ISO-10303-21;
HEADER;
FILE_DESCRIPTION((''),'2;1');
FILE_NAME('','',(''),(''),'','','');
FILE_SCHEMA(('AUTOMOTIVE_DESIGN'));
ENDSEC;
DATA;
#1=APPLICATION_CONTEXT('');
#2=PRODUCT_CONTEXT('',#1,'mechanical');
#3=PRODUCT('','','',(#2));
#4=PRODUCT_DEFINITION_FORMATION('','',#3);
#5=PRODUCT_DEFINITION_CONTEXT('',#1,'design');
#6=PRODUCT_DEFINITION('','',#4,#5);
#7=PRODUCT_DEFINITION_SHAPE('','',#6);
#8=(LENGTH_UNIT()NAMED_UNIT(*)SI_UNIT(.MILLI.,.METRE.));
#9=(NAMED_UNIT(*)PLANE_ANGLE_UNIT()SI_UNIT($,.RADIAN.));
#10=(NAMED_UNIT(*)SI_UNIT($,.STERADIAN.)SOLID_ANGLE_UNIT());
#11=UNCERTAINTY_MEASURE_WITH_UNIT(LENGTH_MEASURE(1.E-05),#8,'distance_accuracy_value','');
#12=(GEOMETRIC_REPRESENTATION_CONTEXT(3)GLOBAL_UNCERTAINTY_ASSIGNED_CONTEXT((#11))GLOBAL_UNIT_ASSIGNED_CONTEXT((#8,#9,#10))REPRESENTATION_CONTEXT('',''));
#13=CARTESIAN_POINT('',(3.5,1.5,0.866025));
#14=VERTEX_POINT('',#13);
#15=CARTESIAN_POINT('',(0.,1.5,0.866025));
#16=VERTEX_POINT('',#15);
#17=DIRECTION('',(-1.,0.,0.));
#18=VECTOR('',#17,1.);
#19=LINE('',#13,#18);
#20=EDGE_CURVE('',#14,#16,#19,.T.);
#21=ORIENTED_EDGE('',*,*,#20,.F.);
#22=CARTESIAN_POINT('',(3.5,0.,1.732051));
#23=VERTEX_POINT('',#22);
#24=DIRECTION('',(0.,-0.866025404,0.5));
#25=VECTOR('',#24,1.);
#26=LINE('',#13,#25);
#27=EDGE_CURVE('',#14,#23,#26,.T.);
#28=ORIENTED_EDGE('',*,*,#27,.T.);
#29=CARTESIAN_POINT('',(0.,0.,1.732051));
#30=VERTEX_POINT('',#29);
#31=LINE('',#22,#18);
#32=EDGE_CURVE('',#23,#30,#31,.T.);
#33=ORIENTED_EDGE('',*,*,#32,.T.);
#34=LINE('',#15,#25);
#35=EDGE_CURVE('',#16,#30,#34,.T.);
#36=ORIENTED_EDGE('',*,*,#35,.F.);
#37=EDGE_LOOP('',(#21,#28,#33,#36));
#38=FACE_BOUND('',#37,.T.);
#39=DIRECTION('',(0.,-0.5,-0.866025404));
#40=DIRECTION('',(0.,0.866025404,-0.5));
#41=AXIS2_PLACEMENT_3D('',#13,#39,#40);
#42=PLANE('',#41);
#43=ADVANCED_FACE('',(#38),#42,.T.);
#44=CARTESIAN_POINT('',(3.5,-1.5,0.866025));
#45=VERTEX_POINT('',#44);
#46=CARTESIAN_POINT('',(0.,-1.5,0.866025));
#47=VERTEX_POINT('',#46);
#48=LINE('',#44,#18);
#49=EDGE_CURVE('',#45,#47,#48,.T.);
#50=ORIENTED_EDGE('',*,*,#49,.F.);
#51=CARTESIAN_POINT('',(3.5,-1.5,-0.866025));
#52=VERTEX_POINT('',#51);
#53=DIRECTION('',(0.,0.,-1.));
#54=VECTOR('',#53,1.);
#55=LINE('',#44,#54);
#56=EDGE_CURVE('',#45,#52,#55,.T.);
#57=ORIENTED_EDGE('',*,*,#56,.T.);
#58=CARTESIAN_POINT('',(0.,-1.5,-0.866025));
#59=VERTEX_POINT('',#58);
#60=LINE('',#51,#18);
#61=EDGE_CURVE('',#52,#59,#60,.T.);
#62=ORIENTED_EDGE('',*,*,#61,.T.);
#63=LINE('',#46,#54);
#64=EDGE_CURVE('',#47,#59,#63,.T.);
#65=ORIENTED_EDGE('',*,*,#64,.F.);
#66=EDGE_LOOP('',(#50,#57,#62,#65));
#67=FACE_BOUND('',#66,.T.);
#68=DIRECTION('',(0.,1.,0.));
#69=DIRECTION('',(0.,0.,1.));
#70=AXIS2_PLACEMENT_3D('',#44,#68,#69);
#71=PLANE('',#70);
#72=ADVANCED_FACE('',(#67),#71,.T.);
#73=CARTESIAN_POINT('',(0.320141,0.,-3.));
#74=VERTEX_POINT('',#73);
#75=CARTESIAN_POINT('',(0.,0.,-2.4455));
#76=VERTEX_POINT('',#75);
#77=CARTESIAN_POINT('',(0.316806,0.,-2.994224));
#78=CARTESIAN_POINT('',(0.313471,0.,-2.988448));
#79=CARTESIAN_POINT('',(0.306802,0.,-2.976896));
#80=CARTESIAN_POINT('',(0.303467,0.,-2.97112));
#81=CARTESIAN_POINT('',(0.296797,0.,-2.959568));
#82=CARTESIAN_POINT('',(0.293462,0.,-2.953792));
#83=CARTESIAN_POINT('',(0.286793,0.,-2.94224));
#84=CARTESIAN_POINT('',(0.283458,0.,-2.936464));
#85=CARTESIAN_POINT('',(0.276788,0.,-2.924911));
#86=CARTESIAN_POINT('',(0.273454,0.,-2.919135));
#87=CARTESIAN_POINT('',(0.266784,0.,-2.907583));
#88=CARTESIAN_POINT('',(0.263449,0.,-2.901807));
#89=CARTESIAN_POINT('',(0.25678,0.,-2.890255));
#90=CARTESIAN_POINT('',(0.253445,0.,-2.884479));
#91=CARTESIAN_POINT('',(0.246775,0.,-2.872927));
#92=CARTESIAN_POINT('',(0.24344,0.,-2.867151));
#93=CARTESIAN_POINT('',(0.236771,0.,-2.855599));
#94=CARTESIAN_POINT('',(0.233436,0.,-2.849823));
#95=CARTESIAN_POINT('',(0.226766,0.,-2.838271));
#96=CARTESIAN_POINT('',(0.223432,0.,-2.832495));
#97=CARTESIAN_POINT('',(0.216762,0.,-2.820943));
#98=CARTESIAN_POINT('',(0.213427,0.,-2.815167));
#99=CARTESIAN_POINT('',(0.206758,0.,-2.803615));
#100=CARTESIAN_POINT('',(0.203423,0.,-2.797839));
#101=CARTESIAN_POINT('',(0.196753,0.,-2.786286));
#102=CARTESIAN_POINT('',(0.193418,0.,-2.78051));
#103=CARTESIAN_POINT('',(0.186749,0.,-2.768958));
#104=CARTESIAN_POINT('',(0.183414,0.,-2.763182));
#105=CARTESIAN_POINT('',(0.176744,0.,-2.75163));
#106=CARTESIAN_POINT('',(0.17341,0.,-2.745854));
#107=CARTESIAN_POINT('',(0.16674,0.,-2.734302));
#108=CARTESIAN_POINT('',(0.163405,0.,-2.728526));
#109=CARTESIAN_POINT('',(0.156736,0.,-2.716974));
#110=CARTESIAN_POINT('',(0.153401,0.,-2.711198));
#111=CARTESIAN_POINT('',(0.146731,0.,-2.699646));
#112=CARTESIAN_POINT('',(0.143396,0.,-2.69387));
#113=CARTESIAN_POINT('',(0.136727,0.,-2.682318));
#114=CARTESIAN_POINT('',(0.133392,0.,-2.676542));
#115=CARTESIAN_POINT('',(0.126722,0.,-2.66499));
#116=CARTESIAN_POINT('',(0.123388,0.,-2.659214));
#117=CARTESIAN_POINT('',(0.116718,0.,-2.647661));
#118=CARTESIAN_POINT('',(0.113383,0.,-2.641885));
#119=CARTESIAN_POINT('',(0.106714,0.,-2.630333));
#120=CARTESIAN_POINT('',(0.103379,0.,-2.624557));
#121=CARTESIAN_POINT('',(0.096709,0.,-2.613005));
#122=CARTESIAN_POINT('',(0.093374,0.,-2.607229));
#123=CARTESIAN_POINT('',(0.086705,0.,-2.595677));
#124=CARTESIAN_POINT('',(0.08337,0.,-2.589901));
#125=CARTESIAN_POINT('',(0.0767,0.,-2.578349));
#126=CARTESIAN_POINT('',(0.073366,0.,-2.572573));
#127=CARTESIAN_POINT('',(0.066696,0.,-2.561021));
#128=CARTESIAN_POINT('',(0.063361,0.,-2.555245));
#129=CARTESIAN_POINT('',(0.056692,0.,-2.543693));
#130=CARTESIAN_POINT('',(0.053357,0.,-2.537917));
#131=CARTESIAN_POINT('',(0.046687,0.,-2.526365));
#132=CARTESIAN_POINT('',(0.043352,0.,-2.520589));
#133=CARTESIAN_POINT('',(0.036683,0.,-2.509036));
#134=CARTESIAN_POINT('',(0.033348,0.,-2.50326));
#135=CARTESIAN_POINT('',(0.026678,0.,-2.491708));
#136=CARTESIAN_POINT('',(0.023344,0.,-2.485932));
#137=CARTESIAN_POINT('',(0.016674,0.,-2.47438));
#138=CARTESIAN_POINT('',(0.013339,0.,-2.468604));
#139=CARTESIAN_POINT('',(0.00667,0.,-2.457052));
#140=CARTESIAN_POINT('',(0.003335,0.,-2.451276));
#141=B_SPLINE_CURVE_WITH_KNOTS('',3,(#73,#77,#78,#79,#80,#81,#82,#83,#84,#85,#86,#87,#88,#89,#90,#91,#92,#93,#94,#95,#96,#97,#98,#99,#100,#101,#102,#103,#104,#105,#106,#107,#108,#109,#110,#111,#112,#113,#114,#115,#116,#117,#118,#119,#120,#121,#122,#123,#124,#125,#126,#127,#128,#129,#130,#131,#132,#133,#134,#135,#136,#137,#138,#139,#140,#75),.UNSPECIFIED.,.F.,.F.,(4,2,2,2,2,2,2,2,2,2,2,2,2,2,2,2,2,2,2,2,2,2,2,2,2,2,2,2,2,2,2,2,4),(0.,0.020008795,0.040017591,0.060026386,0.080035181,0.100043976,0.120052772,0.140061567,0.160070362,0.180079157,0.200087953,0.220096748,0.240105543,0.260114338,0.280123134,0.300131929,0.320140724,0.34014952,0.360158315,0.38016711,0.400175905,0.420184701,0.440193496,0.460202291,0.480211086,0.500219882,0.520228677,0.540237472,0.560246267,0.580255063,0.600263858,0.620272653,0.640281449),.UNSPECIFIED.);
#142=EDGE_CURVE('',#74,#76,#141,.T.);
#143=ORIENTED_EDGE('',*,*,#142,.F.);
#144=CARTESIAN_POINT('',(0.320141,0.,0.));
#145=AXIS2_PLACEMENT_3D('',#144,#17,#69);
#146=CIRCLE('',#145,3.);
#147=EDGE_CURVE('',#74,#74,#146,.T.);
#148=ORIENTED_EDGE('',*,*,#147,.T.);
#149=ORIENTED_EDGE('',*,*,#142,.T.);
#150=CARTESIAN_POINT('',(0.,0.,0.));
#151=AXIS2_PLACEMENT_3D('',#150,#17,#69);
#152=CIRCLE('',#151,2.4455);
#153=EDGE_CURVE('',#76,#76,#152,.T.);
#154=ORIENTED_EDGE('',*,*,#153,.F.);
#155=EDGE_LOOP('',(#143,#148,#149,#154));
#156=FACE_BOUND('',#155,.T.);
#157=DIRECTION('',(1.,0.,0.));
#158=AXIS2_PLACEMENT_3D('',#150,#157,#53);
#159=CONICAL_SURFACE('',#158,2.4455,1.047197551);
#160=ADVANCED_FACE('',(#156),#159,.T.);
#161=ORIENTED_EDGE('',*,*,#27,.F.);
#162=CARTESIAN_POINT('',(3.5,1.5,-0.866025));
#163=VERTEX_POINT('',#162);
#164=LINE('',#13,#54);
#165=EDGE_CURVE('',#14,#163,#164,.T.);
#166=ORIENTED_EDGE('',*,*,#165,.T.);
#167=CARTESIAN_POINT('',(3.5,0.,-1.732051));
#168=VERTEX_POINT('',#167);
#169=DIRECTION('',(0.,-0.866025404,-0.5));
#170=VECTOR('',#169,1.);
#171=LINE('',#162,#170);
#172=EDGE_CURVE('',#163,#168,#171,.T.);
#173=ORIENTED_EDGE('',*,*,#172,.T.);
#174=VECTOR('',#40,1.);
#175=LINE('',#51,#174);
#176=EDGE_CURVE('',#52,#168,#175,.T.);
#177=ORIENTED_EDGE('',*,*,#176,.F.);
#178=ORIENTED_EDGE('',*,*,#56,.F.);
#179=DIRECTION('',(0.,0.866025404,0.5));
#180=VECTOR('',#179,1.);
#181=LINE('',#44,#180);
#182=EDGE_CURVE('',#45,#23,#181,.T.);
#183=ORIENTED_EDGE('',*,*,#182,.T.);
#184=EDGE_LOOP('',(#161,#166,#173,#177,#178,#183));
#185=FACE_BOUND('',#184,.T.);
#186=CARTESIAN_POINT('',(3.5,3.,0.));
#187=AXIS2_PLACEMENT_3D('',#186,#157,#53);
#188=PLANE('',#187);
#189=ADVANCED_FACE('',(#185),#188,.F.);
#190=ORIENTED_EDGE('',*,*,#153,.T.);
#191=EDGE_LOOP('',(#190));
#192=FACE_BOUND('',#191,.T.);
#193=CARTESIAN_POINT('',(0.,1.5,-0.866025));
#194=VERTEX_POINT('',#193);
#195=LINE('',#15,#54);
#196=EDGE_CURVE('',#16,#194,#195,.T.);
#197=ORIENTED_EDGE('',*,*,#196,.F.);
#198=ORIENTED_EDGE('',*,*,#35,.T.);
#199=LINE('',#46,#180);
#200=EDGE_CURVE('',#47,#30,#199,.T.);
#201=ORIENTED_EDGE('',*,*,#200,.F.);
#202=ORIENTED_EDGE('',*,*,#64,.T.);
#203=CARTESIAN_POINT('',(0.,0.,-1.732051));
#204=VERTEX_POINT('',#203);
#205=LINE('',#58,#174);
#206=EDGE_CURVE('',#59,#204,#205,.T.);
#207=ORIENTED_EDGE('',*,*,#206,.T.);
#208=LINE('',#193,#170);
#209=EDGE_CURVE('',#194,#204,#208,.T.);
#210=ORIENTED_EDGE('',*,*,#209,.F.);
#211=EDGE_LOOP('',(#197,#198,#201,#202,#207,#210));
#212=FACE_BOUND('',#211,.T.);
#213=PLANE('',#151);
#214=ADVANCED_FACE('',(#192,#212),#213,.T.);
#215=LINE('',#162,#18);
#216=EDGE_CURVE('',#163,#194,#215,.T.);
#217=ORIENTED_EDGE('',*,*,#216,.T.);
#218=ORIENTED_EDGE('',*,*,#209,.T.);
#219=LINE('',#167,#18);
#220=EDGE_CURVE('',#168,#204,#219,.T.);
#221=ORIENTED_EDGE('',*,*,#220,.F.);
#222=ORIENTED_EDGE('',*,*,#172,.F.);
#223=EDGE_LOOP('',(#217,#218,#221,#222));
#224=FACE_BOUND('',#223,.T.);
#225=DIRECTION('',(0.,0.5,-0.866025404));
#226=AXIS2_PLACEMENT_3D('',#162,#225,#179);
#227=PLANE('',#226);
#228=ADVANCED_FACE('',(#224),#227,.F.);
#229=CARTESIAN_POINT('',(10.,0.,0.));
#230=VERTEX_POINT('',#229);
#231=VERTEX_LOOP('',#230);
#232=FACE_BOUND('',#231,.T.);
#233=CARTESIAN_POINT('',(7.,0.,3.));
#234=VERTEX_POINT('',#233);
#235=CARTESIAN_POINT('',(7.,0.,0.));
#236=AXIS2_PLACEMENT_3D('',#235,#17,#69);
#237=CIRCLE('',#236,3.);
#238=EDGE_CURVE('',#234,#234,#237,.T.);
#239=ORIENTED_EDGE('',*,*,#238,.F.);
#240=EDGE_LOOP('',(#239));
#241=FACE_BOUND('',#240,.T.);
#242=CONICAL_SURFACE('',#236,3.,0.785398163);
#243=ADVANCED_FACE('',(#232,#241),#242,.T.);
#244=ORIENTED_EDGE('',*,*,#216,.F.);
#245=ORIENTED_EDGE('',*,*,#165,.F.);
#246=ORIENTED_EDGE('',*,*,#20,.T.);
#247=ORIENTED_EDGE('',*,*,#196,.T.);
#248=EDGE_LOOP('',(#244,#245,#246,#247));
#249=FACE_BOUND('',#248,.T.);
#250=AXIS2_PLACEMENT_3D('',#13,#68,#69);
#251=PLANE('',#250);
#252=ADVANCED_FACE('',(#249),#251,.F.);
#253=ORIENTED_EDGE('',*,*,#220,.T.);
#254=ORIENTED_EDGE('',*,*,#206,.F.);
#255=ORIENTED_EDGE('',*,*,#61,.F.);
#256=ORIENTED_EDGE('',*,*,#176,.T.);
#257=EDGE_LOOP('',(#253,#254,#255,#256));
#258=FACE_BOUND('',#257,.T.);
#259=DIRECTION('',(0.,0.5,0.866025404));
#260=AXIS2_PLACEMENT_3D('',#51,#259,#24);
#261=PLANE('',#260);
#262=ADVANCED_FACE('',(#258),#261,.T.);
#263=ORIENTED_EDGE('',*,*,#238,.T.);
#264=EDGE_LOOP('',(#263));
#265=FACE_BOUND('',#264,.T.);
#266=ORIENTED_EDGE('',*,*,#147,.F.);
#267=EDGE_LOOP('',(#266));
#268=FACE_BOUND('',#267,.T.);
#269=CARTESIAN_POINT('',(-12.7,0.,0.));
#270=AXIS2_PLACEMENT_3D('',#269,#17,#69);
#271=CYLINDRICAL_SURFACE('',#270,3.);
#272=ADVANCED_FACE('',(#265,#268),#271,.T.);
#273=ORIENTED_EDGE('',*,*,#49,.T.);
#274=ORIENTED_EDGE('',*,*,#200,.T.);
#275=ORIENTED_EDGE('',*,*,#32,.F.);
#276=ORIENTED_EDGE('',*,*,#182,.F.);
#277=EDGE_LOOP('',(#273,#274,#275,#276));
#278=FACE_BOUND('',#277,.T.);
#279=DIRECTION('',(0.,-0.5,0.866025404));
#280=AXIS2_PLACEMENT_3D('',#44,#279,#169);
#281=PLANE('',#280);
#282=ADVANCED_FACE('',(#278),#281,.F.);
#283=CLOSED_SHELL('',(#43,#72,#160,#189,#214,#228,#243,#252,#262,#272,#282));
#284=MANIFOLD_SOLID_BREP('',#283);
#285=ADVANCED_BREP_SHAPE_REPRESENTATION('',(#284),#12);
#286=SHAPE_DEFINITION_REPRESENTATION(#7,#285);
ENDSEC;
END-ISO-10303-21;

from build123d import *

# Parameters (mm, degrees)
HEX_2_DEPTH = 3.5


with BuildPart() as part:
    # BodySke → BaseBody (revolve)
    with BuildSketch(Plane.XY, mode=Mode.PRIVATE) as basebody_sk:
        Polygon((0, 0), (0, 2.4455), (0.320140724, 3), (7, 3), (10, 0), align=None)
    revolve(basebody_sk.sketch.rotate(Axis((-12.7, 0, 0), (1, 0, 0)), 90), axis=Axis((-12.7, 0, 0), (1, 0, 0)))

    # Sketch2 → Hex 2 (cut)
    with BuildSketch(Plane.ZY):
        Polygon((0.866025404, 1.5), (-0.866025404, 1.5), (-1.732050808, 0), (-0.866025404, -1.5), (0.866025404, -1.5), (1.732050808, 0), align=None)
    extrude(amount=-HEX_2_DEPTH, mode=Mode.SUBTRACT)


solid = part.part
